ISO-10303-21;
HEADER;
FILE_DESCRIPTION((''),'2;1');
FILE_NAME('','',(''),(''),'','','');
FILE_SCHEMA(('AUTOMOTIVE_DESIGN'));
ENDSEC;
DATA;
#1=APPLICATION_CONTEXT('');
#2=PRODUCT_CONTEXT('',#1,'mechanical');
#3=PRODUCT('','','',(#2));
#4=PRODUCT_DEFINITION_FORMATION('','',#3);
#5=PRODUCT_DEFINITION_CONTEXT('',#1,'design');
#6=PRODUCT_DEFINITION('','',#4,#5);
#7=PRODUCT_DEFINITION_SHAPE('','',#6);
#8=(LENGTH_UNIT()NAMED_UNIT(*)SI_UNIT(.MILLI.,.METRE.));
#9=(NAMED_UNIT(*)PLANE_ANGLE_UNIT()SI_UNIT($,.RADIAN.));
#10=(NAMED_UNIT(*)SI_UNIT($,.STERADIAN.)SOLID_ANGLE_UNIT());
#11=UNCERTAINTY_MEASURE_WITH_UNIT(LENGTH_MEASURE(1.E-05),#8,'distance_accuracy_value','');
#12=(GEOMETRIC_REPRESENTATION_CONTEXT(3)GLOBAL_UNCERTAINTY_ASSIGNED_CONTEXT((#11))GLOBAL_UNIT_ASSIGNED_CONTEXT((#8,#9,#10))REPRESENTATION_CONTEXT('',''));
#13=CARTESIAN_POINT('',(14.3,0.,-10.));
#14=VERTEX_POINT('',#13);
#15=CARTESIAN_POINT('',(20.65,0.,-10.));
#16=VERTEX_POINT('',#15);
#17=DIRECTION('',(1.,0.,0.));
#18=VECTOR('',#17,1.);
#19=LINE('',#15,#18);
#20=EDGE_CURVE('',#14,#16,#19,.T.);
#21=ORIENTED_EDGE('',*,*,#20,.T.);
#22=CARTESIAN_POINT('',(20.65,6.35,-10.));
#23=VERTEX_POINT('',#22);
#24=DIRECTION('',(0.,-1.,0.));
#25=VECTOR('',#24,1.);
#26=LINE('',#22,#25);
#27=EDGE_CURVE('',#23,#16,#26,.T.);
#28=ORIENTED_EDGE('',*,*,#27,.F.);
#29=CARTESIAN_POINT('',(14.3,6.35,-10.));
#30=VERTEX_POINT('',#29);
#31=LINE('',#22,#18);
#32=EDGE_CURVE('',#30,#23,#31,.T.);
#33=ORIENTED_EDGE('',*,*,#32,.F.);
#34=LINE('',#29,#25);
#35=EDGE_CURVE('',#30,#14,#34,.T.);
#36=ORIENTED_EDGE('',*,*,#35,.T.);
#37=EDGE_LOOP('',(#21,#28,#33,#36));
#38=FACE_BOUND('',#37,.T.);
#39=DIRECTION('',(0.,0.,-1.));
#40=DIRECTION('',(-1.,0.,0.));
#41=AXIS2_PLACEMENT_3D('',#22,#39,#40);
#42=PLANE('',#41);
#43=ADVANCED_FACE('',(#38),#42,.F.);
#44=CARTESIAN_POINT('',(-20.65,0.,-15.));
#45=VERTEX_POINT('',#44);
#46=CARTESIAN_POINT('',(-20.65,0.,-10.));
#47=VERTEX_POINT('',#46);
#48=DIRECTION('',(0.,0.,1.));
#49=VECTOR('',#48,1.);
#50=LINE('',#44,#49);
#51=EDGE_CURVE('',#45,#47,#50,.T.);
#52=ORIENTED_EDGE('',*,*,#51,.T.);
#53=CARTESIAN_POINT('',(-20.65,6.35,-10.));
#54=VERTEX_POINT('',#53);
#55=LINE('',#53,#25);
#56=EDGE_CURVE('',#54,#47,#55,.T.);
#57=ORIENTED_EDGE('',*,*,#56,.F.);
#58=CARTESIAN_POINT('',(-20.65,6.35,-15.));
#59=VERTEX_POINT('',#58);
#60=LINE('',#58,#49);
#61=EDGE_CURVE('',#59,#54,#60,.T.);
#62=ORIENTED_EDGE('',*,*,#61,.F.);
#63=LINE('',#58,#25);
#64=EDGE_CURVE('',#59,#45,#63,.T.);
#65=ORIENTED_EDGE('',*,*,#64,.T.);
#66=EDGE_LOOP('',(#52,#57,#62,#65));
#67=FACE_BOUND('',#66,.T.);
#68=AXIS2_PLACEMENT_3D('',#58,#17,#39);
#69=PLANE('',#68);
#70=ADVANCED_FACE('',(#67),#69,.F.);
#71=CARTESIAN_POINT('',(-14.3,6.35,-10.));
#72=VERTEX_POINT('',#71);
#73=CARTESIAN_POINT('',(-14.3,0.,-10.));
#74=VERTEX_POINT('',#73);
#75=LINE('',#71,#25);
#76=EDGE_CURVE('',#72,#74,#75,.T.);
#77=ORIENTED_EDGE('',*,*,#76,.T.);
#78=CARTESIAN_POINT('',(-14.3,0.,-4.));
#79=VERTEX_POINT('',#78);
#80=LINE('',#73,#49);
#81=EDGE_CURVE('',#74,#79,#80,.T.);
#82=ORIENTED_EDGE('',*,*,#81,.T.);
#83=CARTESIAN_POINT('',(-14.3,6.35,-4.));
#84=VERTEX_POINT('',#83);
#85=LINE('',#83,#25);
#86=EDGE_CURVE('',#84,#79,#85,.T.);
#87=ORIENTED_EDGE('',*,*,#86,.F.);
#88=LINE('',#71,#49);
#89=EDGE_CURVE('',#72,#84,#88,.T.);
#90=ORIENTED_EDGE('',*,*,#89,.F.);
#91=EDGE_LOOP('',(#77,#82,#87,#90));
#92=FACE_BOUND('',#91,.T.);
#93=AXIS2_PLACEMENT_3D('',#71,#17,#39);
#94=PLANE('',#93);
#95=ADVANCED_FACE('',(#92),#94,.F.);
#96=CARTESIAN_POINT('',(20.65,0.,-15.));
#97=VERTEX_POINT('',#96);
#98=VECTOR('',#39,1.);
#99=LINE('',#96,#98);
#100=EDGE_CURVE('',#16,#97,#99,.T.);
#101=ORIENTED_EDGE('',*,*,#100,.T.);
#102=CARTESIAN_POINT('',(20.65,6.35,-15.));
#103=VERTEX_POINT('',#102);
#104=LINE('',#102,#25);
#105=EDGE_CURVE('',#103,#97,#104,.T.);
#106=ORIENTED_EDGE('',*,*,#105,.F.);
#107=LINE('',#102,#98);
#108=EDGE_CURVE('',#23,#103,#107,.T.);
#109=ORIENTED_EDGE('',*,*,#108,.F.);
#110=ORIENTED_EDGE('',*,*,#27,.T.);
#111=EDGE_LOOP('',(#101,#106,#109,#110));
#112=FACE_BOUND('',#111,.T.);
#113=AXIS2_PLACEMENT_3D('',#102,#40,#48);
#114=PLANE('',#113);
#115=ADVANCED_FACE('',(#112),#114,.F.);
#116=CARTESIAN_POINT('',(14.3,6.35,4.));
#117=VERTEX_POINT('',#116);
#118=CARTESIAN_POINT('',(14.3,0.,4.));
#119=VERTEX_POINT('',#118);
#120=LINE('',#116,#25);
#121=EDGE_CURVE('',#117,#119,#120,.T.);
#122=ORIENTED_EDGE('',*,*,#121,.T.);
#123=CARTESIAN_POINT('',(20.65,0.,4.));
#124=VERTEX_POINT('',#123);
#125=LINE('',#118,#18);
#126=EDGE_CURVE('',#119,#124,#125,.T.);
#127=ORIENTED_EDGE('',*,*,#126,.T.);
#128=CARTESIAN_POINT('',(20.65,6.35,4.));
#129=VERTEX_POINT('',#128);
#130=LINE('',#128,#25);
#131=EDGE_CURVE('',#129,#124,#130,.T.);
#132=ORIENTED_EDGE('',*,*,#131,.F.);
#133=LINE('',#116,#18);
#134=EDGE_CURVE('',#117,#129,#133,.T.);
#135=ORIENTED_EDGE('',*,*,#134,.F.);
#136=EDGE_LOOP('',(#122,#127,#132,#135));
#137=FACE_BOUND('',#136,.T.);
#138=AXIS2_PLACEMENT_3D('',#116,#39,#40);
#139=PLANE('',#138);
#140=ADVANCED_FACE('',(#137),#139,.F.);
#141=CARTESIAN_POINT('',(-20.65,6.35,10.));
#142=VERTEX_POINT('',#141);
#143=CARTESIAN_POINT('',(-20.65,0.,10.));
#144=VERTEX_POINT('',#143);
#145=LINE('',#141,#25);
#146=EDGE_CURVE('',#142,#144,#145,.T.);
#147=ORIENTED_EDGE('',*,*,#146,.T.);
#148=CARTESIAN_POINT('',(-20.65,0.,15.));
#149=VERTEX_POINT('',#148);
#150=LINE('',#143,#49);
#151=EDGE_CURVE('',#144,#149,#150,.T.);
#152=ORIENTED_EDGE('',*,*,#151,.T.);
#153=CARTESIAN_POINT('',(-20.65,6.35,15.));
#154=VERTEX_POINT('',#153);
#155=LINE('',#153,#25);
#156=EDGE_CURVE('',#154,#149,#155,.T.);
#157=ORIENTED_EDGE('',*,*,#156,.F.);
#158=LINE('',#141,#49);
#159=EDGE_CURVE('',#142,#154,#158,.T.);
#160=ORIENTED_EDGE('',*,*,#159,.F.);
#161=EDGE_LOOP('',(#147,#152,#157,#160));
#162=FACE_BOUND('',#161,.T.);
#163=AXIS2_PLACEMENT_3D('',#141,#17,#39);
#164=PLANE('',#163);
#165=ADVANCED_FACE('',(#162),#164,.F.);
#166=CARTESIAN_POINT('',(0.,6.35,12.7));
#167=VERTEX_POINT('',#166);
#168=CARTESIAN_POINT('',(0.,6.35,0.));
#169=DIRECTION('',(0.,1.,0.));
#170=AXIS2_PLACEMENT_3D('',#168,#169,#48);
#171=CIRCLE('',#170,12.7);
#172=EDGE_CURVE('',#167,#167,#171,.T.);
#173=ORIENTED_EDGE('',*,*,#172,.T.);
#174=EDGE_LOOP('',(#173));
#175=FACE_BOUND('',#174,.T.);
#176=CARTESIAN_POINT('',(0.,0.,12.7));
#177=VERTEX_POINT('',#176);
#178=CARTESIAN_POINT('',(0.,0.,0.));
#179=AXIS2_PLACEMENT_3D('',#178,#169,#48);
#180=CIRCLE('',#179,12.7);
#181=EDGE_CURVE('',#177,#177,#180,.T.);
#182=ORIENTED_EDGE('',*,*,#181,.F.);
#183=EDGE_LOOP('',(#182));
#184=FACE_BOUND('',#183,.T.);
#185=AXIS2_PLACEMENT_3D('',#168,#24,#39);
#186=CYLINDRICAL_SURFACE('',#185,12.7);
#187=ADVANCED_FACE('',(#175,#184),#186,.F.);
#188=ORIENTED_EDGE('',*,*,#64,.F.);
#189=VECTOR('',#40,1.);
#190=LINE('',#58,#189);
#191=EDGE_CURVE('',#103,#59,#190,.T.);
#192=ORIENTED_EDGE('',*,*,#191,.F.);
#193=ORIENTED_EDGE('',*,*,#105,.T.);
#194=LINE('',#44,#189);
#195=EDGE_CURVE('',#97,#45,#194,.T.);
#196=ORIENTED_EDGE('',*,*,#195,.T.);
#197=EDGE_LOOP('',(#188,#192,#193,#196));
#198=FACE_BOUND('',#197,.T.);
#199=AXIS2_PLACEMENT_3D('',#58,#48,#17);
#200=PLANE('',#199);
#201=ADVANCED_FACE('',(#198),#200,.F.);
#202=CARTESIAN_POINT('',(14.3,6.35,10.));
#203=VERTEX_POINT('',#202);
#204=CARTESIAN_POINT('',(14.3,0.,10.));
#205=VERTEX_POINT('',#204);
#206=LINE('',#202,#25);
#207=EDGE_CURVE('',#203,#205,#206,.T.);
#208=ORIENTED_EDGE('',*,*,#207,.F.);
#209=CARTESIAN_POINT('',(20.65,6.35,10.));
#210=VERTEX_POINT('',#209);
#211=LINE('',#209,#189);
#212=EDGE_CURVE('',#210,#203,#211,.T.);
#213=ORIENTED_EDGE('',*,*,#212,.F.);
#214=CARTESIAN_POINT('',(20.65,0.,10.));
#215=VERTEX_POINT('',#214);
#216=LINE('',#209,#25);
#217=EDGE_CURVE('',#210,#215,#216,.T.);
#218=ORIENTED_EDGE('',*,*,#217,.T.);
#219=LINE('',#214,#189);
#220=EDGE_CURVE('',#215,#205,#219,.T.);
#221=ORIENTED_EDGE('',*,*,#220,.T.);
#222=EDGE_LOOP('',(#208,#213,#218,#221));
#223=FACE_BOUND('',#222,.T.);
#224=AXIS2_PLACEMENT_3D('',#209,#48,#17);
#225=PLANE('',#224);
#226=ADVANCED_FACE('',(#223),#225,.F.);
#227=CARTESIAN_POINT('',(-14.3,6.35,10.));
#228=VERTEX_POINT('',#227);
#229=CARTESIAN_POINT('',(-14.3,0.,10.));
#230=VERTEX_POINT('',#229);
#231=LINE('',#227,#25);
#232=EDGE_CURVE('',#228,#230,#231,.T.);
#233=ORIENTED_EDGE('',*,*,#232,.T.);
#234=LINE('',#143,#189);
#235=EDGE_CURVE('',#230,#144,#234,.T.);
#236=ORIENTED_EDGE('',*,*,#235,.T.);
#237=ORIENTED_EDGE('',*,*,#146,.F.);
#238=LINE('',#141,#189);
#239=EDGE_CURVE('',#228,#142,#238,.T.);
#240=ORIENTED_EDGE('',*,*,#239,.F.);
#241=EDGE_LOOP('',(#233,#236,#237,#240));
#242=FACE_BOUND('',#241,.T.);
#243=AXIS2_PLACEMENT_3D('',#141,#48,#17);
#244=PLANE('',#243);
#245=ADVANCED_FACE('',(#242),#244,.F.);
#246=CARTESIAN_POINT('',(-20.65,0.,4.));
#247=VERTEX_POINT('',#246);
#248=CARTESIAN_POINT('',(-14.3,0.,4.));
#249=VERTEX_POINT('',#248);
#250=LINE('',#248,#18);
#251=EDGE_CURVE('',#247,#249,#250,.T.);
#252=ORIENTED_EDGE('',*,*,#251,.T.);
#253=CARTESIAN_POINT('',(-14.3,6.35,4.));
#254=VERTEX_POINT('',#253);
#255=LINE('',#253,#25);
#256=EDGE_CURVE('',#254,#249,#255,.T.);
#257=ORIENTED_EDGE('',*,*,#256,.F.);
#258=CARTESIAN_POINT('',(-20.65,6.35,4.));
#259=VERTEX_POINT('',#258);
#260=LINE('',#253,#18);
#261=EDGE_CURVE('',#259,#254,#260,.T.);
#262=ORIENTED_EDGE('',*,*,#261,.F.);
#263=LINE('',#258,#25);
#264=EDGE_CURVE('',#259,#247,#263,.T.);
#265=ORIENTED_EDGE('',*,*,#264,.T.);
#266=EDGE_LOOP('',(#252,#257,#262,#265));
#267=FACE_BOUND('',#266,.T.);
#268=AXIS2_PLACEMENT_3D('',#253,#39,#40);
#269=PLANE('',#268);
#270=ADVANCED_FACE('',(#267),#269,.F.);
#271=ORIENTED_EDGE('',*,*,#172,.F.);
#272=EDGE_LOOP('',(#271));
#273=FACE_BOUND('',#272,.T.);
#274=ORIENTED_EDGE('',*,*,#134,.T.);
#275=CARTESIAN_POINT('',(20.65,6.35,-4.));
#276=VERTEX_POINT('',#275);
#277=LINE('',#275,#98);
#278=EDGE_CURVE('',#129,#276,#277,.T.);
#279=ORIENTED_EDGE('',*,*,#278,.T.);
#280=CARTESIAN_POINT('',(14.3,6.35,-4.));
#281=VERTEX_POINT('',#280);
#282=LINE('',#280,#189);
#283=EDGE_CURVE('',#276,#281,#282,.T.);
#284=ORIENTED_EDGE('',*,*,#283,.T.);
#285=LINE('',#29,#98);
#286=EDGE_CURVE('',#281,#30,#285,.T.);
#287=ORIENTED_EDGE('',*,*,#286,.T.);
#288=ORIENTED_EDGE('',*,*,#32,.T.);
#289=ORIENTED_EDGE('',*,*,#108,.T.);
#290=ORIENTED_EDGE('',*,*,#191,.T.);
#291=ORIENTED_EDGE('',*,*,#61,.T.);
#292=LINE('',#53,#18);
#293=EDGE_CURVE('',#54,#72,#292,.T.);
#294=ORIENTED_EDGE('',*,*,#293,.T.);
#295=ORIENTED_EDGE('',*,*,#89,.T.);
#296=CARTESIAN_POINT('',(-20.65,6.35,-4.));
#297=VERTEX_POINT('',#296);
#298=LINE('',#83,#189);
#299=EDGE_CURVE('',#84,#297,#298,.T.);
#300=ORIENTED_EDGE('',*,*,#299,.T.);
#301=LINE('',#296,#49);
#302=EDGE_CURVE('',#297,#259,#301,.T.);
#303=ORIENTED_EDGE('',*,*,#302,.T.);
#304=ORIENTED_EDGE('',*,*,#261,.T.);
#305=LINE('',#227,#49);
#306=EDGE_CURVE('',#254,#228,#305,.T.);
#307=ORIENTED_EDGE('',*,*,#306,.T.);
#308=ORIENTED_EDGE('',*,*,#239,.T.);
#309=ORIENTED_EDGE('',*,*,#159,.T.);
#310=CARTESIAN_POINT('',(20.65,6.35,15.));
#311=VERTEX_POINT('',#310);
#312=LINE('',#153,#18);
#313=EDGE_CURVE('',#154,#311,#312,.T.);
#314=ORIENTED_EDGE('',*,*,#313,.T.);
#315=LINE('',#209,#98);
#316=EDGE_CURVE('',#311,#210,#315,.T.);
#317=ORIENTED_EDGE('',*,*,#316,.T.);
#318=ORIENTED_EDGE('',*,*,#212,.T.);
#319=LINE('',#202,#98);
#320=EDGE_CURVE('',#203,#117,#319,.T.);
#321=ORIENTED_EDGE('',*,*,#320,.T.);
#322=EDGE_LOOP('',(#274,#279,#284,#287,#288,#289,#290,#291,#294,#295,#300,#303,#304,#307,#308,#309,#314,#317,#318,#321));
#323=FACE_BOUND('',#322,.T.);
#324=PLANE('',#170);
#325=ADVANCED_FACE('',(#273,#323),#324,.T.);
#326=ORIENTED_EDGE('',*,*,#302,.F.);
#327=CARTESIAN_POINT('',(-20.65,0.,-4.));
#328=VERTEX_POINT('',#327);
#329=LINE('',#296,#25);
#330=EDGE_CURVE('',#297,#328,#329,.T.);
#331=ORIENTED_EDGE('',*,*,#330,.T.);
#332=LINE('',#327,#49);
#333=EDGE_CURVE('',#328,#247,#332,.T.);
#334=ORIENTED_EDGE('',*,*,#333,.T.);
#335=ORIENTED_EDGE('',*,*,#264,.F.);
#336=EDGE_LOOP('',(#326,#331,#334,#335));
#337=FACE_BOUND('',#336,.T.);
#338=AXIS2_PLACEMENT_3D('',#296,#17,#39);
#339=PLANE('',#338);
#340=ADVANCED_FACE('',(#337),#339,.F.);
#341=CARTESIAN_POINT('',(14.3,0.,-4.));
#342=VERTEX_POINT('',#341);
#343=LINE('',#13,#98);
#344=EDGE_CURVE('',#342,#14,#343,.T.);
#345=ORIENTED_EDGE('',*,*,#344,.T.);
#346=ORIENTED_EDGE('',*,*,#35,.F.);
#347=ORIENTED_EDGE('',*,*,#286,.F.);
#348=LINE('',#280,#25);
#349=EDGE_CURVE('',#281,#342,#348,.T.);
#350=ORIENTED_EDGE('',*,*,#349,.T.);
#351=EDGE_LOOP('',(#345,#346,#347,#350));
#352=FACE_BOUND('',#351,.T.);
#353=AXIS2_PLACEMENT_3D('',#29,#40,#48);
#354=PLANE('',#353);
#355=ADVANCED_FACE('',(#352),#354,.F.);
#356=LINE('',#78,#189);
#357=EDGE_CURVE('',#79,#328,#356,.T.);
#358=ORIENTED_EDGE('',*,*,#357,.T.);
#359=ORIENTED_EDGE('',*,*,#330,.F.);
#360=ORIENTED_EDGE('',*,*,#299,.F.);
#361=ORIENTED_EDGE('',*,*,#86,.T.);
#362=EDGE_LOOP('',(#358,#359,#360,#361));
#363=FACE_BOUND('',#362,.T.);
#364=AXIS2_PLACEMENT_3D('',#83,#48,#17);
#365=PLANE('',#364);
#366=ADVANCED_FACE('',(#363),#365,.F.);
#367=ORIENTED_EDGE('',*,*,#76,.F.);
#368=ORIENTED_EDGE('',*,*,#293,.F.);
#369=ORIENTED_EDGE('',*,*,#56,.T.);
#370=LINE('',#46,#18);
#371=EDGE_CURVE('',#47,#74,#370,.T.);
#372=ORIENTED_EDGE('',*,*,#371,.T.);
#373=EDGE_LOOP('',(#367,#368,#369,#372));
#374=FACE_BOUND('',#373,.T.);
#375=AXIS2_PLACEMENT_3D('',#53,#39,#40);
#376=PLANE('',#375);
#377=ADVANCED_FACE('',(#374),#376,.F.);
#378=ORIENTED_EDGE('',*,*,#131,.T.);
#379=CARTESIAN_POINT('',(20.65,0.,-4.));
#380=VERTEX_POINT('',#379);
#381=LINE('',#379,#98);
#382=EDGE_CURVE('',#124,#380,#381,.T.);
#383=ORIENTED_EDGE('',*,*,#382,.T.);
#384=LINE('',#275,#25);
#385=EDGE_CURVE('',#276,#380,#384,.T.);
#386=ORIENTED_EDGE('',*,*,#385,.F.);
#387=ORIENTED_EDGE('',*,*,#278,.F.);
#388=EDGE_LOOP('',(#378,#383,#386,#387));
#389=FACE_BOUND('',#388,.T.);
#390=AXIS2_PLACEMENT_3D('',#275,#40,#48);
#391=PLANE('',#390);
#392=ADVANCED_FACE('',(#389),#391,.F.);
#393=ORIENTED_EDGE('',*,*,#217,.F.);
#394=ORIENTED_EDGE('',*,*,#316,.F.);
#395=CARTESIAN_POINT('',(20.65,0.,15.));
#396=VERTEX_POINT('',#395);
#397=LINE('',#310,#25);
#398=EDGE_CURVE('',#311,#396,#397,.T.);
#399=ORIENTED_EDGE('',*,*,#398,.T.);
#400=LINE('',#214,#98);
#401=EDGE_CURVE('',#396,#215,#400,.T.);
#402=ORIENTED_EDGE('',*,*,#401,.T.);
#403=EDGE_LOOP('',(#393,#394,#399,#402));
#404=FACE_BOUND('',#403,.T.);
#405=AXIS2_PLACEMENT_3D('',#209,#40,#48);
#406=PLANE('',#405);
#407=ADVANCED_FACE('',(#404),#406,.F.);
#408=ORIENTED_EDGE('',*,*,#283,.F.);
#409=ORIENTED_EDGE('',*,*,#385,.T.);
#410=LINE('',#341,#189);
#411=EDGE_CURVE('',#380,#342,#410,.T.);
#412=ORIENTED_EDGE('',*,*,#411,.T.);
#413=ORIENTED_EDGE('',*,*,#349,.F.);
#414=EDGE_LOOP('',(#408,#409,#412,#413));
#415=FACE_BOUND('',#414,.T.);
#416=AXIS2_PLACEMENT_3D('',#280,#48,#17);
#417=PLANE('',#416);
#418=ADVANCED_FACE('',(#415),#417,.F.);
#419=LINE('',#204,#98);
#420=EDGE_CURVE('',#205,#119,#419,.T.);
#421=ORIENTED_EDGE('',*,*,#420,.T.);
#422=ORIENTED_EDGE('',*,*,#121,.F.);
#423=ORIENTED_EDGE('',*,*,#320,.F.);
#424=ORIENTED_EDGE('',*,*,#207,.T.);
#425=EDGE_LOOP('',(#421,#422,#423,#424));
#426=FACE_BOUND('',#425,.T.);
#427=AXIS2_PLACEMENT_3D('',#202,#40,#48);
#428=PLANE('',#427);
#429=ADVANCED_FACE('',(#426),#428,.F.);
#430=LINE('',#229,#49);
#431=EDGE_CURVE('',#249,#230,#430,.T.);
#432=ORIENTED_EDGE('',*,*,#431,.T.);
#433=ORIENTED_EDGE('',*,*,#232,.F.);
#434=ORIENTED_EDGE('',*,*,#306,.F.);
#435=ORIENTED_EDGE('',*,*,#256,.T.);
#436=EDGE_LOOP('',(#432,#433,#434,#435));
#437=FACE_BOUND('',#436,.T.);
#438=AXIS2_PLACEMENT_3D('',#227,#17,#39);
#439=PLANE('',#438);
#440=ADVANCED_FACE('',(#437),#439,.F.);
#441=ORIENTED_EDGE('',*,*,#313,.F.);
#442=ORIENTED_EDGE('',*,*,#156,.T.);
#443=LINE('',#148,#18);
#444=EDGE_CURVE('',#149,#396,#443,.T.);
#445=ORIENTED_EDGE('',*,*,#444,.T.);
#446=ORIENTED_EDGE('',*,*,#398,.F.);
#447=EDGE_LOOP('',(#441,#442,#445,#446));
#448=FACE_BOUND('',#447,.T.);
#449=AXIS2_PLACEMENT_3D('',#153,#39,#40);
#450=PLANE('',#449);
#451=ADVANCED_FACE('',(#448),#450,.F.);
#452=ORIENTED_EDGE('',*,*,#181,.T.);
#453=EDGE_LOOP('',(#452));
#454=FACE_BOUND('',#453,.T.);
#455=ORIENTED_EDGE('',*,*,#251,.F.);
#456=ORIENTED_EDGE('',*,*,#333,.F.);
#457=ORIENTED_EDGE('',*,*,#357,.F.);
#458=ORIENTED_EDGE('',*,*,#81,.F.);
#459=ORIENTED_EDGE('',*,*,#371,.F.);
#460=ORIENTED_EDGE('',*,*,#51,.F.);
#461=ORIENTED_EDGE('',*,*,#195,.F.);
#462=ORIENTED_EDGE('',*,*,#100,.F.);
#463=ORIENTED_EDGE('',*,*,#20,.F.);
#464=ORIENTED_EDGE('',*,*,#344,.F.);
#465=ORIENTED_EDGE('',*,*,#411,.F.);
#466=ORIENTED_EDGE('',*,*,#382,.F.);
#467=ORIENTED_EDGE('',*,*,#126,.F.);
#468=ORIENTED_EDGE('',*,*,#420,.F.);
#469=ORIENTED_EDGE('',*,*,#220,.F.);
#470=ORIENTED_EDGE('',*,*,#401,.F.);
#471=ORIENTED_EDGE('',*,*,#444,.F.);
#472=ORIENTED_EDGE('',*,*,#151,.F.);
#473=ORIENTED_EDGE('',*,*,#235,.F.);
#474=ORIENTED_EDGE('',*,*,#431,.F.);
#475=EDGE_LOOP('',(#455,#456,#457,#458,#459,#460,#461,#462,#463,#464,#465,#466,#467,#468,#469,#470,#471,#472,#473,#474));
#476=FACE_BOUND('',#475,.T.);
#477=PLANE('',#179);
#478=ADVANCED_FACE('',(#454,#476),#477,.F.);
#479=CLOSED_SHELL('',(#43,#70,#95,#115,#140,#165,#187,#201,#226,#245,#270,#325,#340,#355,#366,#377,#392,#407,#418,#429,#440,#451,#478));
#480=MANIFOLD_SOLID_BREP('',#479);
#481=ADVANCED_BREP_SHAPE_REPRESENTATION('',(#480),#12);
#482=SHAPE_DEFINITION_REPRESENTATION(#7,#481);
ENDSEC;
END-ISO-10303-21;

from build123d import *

# Parameters (mm, degrees)
SKETCH1_R           = 12.7
BOSS_EXTRUDE1_DEPTH = 6.35


with BuildPart() as part:
    # Sketch1 → Boss-Extrude1 (new body)
    with BuildSketch(Plane(origin=(0, 0, 0), x_dir=(1, 0, 0), z_dir=(0, 1, 0))):
        Polygon((-20.65, 15), (20.65, 15), (20.65, 10), (14.3, 10), (14.3, 4), (20.65, 4), (20.65, -4), (14.3, -4), (14.3, -10), (20.65, -10), (20.65, -15), (-20.65, -15), (-20.65, -10), (-14.3, -10), (-14.3, -4), (-20.65, -4), (-20.65, 4), (-14.3, 4), (-14.3, 10), (-20.65, 10), align=None)
        with Locations(Location((0, 0, 0), (0, 0, 270))):
            Circle(SKETCH1_R, mode=Mode.SUBTRACT)
    extrude(amount=BOSS_EXTRUDE1_DEPTH)


solid = part.part
